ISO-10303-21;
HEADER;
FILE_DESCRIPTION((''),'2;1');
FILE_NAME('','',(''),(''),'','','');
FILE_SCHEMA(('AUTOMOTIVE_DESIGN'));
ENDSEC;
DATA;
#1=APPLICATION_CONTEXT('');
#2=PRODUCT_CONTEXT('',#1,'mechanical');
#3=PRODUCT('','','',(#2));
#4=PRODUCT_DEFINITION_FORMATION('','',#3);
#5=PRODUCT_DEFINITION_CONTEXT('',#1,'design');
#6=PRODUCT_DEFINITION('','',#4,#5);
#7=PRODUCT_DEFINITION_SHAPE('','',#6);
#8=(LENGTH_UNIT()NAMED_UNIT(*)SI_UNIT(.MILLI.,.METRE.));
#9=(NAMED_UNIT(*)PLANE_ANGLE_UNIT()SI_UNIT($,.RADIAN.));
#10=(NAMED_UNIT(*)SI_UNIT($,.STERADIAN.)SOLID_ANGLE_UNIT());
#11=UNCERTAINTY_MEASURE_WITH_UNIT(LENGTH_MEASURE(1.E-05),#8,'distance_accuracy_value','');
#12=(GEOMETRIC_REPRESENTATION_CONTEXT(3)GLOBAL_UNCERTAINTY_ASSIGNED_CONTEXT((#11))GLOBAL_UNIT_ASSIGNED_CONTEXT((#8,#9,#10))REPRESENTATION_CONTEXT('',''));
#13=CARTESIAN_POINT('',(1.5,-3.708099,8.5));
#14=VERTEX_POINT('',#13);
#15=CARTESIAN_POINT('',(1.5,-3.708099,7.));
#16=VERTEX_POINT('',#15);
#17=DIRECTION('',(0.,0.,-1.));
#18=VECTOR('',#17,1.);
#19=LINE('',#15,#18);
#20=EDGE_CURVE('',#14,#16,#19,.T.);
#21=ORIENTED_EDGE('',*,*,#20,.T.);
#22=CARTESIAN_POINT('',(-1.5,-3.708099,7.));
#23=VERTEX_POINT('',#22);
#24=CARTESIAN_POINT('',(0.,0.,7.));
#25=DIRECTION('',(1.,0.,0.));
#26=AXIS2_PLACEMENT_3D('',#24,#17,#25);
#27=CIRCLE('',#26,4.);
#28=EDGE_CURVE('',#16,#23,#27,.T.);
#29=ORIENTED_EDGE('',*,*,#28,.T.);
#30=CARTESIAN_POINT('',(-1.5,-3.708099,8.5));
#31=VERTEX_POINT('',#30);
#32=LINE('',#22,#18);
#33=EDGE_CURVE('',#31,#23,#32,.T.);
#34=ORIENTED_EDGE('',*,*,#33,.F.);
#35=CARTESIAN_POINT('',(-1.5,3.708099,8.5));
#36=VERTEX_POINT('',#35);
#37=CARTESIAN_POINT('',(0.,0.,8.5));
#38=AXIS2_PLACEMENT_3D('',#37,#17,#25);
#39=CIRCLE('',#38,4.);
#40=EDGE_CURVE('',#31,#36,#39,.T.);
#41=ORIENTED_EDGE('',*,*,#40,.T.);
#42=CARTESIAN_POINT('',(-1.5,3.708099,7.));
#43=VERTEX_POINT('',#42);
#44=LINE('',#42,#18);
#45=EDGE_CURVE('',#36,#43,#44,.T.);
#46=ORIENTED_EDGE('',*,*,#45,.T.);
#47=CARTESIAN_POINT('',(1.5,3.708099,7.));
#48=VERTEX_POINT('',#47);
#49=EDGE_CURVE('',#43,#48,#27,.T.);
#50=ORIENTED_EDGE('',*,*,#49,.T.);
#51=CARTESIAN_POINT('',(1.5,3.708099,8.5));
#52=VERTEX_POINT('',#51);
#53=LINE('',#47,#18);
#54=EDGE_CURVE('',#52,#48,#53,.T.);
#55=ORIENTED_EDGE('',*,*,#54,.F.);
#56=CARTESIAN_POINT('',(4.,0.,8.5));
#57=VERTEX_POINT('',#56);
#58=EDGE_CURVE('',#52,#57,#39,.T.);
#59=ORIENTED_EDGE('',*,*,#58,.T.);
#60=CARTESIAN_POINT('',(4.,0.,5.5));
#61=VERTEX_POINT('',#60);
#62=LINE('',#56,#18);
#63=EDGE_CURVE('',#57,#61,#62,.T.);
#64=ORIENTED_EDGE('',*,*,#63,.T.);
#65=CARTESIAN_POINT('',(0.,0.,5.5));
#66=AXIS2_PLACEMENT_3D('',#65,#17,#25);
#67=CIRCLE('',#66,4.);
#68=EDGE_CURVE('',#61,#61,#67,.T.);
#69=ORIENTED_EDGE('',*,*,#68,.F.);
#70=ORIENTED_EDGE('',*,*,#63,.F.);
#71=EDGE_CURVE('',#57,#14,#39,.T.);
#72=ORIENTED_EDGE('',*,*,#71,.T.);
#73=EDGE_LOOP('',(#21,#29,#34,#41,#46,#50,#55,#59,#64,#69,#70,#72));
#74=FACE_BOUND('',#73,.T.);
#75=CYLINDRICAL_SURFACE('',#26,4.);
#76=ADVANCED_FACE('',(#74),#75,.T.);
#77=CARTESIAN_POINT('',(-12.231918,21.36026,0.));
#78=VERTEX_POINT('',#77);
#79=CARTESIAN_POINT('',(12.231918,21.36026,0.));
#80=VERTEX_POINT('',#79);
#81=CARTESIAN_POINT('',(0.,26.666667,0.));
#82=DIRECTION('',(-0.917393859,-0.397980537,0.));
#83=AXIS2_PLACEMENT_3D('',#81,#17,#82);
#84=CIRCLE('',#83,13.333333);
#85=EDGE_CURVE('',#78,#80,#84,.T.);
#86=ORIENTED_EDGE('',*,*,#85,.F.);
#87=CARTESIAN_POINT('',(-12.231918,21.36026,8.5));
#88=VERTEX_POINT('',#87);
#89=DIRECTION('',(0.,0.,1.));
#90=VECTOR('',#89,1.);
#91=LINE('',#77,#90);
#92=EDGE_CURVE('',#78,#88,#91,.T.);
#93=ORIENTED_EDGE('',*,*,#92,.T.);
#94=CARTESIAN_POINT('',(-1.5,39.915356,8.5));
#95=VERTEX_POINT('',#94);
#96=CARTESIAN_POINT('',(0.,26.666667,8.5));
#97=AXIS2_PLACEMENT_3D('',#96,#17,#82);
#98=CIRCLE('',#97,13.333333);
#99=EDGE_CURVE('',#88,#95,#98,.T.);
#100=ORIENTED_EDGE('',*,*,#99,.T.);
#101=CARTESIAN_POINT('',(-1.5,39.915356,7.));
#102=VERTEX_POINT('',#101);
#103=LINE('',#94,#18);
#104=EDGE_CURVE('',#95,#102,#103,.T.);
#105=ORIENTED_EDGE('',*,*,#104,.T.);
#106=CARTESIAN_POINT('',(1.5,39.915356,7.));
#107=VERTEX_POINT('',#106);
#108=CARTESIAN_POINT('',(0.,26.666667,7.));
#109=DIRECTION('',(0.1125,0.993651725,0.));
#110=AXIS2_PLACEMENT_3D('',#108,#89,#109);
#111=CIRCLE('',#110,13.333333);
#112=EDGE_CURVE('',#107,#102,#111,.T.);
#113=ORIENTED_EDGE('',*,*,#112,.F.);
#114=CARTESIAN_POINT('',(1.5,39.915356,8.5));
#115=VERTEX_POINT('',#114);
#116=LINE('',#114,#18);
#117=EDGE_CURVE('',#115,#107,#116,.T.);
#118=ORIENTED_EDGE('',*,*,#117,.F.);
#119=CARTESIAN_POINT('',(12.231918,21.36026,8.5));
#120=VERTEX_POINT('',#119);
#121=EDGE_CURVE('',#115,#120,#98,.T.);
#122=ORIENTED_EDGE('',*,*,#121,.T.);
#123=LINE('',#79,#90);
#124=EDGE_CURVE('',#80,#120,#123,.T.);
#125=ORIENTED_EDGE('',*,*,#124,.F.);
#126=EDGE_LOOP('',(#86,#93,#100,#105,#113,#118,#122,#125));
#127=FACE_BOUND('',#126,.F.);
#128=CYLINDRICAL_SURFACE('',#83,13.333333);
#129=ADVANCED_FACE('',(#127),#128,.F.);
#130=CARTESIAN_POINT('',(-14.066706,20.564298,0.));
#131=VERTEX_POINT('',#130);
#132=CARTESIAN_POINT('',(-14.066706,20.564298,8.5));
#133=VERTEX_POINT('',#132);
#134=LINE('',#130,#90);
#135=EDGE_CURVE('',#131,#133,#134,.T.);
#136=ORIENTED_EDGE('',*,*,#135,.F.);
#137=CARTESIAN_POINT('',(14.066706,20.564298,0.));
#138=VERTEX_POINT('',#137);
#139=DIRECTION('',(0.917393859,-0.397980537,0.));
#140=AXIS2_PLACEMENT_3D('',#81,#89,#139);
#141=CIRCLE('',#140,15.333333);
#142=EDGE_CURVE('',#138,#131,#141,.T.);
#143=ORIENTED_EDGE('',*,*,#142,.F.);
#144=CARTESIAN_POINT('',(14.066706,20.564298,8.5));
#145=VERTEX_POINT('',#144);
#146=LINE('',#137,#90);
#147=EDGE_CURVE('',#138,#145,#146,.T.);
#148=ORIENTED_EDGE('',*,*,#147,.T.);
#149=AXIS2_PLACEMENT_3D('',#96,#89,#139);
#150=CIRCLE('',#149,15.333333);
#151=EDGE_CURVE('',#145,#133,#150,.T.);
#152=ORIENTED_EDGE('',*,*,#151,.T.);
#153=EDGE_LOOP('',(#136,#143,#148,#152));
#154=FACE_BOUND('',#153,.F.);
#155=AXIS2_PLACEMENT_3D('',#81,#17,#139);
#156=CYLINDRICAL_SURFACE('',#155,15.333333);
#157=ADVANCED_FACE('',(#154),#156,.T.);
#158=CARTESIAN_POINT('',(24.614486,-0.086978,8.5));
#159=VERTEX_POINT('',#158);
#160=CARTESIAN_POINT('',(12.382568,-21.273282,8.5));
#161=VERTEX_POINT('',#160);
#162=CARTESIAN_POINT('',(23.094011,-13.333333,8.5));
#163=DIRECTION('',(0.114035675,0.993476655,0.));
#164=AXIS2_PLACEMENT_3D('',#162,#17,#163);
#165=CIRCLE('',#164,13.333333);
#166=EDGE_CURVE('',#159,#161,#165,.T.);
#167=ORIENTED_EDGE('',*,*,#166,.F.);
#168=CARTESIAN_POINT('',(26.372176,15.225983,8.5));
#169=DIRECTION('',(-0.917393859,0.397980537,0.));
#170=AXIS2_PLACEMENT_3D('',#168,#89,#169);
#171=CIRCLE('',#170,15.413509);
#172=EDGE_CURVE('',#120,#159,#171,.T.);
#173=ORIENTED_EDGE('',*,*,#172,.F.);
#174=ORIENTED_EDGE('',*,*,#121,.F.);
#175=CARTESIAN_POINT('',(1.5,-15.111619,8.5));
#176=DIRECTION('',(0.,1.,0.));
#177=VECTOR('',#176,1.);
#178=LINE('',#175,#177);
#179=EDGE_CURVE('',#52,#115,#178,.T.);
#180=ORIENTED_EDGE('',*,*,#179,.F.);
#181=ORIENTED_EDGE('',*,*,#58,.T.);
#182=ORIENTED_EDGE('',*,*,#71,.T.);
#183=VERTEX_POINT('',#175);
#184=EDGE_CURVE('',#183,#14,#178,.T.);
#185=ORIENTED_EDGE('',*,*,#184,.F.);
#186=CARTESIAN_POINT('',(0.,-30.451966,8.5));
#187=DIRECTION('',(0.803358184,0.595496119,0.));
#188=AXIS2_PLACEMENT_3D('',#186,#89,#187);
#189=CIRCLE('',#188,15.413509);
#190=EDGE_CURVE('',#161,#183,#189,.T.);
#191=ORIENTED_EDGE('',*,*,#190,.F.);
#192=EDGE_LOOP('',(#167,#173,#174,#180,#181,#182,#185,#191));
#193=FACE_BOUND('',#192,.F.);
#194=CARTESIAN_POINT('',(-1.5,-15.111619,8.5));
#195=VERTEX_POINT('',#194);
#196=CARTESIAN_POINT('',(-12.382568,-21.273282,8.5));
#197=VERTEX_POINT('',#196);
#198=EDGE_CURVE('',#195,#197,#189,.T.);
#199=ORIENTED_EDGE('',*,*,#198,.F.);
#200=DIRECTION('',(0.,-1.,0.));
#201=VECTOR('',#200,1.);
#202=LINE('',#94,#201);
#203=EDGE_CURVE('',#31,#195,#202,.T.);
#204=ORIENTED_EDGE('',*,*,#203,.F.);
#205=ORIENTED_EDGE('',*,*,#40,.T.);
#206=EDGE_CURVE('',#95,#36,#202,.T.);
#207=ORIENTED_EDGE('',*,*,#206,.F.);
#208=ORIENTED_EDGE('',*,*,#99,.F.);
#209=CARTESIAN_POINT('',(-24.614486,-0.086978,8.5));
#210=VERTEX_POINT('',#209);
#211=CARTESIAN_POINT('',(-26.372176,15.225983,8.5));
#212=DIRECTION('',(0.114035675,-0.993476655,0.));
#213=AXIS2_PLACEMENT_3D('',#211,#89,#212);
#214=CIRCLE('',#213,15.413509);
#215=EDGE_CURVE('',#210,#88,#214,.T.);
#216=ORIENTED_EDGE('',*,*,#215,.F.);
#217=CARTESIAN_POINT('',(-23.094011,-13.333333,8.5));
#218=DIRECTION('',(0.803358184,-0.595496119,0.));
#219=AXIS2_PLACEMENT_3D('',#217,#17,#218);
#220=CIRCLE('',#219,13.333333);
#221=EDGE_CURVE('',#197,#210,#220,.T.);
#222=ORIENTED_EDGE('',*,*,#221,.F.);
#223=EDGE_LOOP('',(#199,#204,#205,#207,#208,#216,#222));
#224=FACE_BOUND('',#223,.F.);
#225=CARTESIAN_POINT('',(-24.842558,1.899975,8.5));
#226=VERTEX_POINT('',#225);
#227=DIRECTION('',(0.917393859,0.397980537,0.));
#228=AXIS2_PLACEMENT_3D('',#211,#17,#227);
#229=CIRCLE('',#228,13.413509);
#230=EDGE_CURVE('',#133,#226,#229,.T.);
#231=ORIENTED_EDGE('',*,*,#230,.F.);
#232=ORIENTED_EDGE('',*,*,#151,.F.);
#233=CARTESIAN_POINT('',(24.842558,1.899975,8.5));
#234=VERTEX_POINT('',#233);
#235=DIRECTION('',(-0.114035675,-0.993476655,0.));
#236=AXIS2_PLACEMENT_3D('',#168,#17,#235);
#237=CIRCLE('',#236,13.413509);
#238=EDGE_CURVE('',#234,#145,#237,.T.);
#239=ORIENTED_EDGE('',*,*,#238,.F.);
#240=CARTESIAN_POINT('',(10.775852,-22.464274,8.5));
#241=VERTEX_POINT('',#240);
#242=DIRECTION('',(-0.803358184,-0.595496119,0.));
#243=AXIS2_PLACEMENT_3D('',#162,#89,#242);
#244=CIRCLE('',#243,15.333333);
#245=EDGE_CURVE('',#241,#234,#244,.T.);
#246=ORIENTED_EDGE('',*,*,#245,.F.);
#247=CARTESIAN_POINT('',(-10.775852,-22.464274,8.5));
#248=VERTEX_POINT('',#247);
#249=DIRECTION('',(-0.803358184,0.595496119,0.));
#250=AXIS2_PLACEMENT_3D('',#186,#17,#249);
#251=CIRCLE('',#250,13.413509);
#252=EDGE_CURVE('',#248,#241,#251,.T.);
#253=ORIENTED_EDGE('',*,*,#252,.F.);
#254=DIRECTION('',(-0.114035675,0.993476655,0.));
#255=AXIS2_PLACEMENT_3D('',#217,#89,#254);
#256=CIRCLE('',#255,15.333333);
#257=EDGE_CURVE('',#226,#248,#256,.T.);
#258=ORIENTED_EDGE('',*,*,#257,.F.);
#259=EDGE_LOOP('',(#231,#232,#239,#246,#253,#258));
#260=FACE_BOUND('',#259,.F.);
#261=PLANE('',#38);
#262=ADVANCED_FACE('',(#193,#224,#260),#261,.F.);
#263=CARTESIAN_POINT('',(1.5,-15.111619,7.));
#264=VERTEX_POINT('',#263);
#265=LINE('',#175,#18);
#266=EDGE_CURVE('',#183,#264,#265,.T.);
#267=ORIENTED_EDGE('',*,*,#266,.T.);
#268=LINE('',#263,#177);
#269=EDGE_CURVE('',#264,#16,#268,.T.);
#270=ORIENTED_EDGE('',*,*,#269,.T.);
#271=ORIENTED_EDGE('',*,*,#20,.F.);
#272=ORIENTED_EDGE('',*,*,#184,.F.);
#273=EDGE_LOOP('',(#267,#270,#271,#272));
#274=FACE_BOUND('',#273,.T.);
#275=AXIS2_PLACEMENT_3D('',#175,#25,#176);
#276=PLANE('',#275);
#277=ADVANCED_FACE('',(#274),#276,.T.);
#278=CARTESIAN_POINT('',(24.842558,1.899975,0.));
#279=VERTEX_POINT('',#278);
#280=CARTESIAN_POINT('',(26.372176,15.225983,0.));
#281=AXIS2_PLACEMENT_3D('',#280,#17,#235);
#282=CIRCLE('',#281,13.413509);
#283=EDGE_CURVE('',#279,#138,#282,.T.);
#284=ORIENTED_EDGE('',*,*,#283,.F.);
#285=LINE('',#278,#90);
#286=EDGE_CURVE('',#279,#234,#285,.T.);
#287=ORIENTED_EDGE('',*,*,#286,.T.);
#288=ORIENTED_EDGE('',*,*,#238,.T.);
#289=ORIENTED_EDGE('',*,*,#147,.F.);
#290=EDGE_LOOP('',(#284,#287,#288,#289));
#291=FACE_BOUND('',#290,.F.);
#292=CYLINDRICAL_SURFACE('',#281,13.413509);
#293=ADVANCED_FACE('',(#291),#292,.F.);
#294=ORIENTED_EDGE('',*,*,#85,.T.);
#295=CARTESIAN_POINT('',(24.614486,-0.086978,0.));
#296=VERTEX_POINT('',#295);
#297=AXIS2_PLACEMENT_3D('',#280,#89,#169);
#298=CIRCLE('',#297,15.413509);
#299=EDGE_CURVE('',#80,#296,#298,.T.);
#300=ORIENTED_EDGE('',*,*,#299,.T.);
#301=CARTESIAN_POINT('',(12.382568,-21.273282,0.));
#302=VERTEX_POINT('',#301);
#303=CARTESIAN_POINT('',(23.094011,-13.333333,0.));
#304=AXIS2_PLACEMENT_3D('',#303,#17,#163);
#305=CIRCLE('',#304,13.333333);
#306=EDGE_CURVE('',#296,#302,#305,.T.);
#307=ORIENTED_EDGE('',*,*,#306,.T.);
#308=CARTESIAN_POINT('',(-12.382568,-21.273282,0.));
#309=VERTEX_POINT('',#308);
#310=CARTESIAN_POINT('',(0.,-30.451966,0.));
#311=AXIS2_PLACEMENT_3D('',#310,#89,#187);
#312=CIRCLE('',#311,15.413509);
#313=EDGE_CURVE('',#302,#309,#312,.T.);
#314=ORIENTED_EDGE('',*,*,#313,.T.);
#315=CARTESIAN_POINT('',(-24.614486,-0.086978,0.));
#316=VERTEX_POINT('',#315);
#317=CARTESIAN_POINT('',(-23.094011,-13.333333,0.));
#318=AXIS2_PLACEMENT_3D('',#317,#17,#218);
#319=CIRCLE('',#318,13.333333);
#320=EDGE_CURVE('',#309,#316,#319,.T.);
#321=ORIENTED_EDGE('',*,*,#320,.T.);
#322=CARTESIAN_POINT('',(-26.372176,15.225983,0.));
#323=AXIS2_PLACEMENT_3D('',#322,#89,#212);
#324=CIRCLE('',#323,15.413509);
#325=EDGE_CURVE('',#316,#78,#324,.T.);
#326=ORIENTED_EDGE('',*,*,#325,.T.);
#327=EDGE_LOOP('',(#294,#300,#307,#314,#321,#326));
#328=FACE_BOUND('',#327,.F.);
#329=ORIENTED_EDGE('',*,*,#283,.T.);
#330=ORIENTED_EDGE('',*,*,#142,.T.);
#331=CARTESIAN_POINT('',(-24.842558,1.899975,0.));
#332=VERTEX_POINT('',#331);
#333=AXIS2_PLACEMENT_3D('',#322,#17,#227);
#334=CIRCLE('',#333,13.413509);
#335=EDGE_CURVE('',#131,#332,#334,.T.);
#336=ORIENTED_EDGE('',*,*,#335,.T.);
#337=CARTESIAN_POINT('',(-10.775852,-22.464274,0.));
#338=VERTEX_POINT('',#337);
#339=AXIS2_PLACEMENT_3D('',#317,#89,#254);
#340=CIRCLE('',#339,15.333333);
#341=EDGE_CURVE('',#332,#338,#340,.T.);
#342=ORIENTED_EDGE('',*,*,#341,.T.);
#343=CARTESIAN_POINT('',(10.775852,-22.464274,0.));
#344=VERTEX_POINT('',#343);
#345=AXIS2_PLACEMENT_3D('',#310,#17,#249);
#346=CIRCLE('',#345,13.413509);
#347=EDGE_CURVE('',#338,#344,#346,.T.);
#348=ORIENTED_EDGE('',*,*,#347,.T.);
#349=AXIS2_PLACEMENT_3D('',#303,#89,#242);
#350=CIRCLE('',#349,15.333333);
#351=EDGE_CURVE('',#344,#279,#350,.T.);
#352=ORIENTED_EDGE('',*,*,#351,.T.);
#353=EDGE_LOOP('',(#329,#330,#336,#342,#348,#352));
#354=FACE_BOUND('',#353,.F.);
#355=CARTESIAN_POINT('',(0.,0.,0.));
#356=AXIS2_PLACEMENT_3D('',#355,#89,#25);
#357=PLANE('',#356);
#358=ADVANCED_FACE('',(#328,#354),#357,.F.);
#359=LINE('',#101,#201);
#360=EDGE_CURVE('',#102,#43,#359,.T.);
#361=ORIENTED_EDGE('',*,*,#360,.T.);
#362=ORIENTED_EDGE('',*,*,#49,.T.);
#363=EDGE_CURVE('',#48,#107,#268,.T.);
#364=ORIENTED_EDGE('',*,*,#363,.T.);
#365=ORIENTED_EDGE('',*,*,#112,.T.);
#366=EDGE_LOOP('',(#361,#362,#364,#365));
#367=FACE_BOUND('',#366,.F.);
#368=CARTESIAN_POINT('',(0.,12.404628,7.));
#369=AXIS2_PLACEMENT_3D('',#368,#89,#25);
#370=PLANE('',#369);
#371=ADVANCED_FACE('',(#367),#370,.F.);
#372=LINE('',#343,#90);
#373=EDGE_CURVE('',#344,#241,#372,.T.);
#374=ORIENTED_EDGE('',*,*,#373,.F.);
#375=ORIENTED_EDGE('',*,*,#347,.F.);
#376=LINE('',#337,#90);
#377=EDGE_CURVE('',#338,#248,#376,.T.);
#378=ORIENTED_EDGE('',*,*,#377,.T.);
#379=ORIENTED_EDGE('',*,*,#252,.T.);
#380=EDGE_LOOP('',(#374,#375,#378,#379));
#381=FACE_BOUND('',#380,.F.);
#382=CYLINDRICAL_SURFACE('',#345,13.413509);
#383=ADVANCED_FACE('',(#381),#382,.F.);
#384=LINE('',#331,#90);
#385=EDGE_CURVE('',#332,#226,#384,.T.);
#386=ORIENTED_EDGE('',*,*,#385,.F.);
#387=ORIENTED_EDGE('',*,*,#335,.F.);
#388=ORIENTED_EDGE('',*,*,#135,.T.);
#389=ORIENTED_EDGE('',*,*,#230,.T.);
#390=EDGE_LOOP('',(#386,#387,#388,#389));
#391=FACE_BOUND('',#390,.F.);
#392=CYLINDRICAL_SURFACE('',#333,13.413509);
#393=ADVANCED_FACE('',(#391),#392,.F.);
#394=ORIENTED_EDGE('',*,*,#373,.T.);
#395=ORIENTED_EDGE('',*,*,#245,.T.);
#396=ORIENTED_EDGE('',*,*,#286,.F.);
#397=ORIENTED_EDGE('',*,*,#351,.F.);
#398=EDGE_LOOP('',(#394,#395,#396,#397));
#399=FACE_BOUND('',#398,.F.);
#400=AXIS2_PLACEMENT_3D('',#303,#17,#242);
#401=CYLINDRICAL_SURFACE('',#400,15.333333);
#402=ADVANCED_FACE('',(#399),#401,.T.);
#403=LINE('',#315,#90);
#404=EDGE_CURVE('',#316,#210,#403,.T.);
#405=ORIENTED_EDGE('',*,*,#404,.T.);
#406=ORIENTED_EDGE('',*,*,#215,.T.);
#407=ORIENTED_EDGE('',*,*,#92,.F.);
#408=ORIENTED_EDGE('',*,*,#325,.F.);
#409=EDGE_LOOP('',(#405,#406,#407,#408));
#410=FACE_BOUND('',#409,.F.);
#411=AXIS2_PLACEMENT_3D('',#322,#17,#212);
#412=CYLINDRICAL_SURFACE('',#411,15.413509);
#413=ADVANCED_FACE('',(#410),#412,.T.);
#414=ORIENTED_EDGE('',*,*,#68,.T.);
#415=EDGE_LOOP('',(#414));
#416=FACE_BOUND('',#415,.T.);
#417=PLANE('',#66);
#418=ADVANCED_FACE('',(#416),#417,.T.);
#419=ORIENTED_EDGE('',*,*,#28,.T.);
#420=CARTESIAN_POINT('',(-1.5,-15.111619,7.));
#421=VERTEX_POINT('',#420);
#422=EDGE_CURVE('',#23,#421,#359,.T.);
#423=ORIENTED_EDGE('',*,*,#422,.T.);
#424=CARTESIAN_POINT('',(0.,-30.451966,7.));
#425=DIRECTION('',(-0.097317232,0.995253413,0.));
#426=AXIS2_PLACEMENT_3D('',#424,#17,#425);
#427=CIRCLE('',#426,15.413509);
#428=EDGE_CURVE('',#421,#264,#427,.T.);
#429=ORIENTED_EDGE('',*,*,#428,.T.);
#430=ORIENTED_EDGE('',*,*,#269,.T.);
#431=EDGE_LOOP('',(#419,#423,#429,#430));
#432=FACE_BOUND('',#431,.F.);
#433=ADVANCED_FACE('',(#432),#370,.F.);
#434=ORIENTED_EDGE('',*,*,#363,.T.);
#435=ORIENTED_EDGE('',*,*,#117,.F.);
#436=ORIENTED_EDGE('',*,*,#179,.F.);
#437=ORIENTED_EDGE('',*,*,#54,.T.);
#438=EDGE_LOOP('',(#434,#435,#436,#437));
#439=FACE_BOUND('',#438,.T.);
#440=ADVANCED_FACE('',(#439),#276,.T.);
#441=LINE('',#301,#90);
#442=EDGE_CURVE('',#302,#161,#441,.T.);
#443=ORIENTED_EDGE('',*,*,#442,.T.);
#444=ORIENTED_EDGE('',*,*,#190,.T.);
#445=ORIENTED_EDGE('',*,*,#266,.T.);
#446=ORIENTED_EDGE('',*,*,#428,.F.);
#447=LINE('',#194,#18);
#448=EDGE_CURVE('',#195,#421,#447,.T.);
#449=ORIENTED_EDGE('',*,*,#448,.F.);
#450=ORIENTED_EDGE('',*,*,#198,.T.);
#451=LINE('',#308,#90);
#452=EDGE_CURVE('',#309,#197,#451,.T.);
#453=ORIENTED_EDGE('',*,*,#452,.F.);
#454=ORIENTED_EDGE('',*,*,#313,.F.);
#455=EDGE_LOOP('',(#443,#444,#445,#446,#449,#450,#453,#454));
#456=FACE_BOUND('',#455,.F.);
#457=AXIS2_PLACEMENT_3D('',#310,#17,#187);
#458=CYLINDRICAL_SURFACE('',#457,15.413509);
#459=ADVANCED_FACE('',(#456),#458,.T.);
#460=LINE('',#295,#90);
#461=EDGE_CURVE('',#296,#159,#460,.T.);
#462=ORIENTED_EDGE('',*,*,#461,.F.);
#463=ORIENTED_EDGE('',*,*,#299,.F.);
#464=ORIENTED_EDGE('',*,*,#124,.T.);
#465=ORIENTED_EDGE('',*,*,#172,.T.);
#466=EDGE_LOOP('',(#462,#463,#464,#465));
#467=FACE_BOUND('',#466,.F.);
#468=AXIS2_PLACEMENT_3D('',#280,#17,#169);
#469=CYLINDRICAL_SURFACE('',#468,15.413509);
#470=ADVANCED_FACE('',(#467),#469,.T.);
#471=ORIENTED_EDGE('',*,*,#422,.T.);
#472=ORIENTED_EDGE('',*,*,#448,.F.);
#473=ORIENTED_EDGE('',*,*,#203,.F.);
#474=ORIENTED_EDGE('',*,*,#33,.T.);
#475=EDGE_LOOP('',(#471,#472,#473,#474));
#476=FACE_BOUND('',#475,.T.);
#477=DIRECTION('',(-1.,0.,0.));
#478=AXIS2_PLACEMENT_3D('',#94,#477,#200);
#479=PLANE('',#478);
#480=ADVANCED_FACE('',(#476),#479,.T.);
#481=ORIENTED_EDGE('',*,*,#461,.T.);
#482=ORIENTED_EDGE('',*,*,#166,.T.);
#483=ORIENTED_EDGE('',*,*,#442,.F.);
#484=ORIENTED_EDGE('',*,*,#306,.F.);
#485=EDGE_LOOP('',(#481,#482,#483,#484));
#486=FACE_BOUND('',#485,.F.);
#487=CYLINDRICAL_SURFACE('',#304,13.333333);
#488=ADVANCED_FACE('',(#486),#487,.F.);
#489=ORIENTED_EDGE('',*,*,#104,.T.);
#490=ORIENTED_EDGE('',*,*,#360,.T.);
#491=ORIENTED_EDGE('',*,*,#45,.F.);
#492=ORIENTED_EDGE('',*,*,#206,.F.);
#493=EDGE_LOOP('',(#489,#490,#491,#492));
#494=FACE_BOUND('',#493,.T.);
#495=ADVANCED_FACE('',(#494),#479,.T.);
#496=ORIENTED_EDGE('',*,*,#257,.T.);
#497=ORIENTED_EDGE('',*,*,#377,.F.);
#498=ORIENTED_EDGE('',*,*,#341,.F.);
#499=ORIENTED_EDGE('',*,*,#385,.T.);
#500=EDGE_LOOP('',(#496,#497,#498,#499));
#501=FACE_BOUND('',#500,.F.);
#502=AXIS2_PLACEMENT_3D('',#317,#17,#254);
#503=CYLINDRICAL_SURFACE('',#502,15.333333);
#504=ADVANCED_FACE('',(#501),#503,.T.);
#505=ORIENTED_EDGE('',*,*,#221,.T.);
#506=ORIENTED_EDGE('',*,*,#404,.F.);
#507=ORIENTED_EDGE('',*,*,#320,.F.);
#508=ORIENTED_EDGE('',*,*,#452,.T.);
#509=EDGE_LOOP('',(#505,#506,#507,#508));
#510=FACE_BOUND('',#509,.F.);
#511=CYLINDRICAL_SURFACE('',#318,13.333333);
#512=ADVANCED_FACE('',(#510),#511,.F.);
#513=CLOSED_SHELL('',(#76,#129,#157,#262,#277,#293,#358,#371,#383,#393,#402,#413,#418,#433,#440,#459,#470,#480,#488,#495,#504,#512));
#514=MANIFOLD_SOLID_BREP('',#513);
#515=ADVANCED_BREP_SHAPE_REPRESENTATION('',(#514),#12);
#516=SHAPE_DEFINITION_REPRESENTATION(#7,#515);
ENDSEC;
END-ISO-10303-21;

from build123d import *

# Parameters (mm, degrees)
F1_DEPTH = 8.5
F3_DEPTH = 1.5
F4_R     = 4
F5_DEPTH = 1.5


with BuildPart() as f1:
    # F0 (on Top) → F1 (new body)
    with BuildSketch(Plane.XY):
        with BuildLine():
            ThreePointArc((24.8425577786, 1.8999753835), (14.7557370554, 8.519228761), (14.066705838, 20.5642984395))
            ThreePointArc((14.066705838, 20.5642984395), (0, 42), (-14.066705838, 20.5642984395))
            ThreePointArc((-14.066705838, 20.5642984395), (-14.7557370554, 8.519228761), (-24.8425577786, 1.8999753835))
            ThreePointArc((-24.8425577786, 1.8999753835), (-36.3730669589, -21), (-10.7758519407, -22.464273823))
            ThreePointArc((-10.7758519407, -22.464273823), (0, -17.038457522), (10.7758519407, -22.464273823))
            ThreePointArc((10.7758519407, -22.464273823), (36.3730669589, -21), (24.8425577786, 1.8999753835))
        make_face()
        with BuildLine():
            ThreePointArc((-12.23191812, 21.3602595126), (0, 40), (12.23191812, 21.3602595126))
            ThreePointArc((12.23191812, 21.3602595126), (13.0236862478, 7.519228761), (24.6144864293, -0.0869779274))
            ThreePointArc((24.6144864293, -0.0869779274), (34.6410161514, -20), (12.3825683094, -21.2732815852))
            ThreePointArc((12.3825683094, -21.2732815852), (0, -15.038457522), (-12.3825683094, -21.2732815852))
            ThreePointArc((-12.3825683094, -21.2732815852), (-34.6410161514, -20), (-24.6144864293, -0.0869779274))
            ThreePointArc((-24.6144864293, -0.0869779274), (-13.0236862478, 7.519228761), (-12.23191812, 21.3602595126))
        make_face(mode=Mode.SUBTRACT)
    extrude(amount=F1_DEPTH)

    # F2 (on face) → F3 (join)
    with BuildSketch(Plane.XY.offset(8.5)):
        with BuildLine():
            ThreePointArc((1.5, 39.9153563293), (0, 40), (-1.5, 39.9153563293))
            Line((-1.5, 39.9153563293), (-1.5, -15.1116190801))
            ThreePointArc((-1.5, -15.1116190801), (0, -15.038457522), (1.5, -15.1116190801))
            Line((1.5, -15.1116190801), (1.5, 39.9153563293))
        make_face()
    extrude(amount=-F3_DEPTH)

    # F4 (on face) → F5 (join, symmetric)
    with BuildSketch(Plane(origin=(0, 0, 7), x_dir=(1, 0, 0), z_dir=(0, 0, -1))):
        Circle(F4_R)
    extrude(amount=F5_DEPTH, both=True)


solid = f1.part
